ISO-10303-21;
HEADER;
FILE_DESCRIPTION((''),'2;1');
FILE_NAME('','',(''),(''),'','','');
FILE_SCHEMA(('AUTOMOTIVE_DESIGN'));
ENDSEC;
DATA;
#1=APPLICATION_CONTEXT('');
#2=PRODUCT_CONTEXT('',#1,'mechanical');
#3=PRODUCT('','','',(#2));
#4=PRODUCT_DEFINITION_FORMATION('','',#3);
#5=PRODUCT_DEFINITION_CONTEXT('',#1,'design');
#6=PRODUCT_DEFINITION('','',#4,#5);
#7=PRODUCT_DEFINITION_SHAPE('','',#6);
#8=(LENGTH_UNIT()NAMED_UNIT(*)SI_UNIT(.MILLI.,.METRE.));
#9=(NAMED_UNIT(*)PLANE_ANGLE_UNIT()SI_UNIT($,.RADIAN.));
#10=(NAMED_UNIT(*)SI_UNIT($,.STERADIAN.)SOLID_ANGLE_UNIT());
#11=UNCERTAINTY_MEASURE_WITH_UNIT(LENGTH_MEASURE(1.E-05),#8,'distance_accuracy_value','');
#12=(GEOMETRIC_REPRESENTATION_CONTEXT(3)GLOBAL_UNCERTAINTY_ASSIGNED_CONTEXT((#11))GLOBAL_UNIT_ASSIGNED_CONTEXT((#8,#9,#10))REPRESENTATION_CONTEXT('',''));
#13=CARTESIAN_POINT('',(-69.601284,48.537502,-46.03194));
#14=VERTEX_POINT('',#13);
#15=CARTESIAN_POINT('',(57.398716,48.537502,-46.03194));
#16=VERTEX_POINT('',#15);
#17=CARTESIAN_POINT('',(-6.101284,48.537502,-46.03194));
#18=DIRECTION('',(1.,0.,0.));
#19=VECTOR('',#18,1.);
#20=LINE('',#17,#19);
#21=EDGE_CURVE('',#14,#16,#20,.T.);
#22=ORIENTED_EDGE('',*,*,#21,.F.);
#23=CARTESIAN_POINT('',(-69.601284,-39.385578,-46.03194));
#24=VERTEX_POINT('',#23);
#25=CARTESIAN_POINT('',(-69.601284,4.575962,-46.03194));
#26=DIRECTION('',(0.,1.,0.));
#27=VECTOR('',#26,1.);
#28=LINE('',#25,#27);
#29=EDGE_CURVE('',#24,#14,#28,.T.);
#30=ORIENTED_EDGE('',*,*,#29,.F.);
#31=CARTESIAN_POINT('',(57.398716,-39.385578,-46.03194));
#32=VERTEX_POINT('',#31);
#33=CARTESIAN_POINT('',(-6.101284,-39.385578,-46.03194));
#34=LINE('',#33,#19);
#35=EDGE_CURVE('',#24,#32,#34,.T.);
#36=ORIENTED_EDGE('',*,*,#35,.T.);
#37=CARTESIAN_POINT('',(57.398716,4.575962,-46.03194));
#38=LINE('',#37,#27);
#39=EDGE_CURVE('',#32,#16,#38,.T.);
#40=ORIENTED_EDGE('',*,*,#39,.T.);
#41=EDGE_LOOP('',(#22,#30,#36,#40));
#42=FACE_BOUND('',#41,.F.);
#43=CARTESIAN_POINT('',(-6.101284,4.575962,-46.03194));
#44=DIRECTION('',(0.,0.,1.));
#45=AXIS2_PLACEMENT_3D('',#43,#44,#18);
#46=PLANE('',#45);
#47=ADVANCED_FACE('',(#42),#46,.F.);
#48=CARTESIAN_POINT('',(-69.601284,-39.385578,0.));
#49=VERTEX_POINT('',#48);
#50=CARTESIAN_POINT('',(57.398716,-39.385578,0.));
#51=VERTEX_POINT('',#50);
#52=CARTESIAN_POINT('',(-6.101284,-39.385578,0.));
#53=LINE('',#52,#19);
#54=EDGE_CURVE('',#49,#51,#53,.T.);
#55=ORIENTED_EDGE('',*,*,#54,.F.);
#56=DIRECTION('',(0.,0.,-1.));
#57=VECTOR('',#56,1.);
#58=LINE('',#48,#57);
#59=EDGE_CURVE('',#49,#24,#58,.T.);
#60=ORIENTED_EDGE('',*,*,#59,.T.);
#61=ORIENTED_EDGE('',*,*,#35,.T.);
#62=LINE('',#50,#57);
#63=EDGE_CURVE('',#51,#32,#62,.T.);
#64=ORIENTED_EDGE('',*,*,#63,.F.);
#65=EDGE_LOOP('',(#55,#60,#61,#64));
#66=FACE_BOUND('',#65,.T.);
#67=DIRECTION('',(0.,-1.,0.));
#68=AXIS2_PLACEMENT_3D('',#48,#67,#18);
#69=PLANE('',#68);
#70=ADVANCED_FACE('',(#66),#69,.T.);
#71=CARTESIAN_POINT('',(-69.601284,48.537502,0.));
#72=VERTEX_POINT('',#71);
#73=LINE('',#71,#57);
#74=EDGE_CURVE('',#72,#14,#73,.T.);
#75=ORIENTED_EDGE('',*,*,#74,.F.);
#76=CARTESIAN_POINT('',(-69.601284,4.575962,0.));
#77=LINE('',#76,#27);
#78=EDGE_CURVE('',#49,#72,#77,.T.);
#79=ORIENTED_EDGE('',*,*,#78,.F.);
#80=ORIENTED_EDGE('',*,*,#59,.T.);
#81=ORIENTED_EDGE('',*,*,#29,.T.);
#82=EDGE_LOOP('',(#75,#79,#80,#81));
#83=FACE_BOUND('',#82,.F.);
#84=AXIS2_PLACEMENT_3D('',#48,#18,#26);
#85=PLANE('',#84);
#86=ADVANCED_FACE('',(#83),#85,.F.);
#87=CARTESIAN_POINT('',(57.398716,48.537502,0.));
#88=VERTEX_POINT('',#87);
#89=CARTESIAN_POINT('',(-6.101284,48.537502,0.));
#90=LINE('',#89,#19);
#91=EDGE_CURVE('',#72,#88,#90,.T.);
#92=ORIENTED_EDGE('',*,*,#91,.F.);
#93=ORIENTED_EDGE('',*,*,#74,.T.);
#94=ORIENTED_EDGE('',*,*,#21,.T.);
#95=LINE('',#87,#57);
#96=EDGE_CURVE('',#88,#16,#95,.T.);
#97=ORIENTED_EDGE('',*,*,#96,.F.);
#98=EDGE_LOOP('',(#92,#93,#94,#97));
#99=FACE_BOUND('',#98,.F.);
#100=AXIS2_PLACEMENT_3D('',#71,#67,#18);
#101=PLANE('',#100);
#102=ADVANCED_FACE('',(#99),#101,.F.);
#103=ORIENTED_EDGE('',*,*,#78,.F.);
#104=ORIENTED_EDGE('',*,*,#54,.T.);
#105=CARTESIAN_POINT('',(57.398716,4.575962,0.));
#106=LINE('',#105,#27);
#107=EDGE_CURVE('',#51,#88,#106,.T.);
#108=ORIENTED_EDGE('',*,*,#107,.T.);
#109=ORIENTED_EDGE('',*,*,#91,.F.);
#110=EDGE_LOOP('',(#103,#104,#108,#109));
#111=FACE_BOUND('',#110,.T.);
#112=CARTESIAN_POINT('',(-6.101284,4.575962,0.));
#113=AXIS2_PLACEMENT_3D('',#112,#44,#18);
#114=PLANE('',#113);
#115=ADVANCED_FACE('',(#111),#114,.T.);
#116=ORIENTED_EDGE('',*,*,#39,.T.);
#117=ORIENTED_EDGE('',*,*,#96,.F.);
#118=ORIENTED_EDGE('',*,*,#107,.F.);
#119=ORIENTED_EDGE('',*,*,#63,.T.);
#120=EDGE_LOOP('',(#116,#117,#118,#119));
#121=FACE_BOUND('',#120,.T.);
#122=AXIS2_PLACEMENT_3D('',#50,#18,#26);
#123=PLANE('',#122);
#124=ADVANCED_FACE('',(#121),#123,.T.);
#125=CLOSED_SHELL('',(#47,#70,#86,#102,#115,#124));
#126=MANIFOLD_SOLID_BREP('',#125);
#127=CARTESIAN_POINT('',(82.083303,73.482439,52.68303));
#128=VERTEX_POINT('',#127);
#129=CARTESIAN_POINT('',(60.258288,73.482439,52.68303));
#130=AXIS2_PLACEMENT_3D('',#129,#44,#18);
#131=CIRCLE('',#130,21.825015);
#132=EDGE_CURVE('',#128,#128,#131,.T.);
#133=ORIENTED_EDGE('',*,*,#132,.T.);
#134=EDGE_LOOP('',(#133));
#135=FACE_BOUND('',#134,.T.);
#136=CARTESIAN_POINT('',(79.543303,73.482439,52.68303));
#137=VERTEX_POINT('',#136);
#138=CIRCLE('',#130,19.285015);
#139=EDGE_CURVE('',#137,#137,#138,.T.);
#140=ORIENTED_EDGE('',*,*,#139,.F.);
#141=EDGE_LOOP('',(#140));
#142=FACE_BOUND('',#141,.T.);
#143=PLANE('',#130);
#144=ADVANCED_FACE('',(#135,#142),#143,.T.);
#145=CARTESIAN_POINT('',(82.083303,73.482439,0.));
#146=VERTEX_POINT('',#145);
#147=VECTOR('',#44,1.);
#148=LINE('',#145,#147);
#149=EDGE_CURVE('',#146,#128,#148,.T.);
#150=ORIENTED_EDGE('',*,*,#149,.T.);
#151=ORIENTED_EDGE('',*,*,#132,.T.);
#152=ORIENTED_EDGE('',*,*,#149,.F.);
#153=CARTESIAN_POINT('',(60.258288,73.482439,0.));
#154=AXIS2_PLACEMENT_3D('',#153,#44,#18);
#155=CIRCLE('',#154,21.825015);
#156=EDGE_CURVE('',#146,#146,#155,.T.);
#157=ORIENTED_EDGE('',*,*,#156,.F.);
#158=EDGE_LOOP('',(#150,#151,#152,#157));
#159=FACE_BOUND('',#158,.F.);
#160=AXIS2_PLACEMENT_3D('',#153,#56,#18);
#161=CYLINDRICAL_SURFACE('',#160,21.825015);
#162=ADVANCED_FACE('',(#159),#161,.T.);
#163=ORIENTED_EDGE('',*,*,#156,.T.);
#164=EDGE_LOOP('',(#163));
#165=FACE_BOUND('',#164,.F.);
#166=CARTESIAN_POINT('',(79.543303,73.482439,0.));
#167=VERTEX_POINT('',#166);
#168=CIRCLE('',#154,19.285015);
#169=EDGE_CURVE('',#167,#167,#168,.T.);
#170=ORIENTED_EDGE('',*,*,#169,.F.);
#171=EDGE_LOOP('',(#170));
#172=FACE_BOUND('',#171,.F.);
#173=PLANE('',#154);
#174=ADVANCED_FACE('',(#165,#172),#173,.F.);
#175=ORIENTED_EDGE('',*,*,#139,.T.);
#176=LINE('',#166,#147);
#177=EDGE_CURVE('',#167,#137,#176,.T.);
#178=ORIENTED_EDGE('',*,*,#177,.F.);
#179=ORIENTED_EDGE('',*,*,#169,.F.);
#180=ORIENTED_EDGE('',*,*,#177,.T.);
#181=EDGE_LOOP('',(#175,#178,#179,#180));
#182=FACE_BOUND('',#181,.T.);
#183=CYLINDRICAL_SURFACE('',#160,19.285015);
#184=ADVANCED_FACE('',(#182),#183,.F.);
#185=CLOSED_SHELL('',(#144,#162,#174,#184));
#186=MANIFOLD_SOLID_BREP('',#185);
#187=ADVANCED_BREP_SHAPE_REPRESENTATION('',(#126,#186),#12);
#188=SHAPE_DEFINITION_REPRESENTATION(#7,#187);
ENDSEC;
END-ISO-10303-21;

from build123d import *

# Parameters (mm, degrees)
F0_W     = 127
F0_H     = 87.92308
F1_DEPTH = 46.03194
F2_R     = 21.825015
F3_DEPTH = 52.68303
F4_T     = -2.54


with BuildPart() as f1:
    # F0 (on Top) → F1 (new body)
    with BuildSketch(Plane.XY):
        with Locations((-6.101284, 4.575962)):
            Rectangle(F0_W, F0_H)
    extrude(amount=-F1_DEPTH)


with BuildPart() as f3:
    # F2 (on Top) → F3 (new body)
    with BuildSketch(Plane.XY):
        with Locations((60.258288, 73.482439)):
            Circle(F2_R)
    extrude(amount=F3_DEPTH)

    # F4
    f4_openings = [f3.faces().sort_by_distance(p)[0] for p in [
        (60.258288, 73.482439, 52.68303),
        (60.258288, 73.482439, 0),
    ]]
    offset(amount=F4_T, openings=f4_openings)


solid = Compound([f1.part, f3.part])
